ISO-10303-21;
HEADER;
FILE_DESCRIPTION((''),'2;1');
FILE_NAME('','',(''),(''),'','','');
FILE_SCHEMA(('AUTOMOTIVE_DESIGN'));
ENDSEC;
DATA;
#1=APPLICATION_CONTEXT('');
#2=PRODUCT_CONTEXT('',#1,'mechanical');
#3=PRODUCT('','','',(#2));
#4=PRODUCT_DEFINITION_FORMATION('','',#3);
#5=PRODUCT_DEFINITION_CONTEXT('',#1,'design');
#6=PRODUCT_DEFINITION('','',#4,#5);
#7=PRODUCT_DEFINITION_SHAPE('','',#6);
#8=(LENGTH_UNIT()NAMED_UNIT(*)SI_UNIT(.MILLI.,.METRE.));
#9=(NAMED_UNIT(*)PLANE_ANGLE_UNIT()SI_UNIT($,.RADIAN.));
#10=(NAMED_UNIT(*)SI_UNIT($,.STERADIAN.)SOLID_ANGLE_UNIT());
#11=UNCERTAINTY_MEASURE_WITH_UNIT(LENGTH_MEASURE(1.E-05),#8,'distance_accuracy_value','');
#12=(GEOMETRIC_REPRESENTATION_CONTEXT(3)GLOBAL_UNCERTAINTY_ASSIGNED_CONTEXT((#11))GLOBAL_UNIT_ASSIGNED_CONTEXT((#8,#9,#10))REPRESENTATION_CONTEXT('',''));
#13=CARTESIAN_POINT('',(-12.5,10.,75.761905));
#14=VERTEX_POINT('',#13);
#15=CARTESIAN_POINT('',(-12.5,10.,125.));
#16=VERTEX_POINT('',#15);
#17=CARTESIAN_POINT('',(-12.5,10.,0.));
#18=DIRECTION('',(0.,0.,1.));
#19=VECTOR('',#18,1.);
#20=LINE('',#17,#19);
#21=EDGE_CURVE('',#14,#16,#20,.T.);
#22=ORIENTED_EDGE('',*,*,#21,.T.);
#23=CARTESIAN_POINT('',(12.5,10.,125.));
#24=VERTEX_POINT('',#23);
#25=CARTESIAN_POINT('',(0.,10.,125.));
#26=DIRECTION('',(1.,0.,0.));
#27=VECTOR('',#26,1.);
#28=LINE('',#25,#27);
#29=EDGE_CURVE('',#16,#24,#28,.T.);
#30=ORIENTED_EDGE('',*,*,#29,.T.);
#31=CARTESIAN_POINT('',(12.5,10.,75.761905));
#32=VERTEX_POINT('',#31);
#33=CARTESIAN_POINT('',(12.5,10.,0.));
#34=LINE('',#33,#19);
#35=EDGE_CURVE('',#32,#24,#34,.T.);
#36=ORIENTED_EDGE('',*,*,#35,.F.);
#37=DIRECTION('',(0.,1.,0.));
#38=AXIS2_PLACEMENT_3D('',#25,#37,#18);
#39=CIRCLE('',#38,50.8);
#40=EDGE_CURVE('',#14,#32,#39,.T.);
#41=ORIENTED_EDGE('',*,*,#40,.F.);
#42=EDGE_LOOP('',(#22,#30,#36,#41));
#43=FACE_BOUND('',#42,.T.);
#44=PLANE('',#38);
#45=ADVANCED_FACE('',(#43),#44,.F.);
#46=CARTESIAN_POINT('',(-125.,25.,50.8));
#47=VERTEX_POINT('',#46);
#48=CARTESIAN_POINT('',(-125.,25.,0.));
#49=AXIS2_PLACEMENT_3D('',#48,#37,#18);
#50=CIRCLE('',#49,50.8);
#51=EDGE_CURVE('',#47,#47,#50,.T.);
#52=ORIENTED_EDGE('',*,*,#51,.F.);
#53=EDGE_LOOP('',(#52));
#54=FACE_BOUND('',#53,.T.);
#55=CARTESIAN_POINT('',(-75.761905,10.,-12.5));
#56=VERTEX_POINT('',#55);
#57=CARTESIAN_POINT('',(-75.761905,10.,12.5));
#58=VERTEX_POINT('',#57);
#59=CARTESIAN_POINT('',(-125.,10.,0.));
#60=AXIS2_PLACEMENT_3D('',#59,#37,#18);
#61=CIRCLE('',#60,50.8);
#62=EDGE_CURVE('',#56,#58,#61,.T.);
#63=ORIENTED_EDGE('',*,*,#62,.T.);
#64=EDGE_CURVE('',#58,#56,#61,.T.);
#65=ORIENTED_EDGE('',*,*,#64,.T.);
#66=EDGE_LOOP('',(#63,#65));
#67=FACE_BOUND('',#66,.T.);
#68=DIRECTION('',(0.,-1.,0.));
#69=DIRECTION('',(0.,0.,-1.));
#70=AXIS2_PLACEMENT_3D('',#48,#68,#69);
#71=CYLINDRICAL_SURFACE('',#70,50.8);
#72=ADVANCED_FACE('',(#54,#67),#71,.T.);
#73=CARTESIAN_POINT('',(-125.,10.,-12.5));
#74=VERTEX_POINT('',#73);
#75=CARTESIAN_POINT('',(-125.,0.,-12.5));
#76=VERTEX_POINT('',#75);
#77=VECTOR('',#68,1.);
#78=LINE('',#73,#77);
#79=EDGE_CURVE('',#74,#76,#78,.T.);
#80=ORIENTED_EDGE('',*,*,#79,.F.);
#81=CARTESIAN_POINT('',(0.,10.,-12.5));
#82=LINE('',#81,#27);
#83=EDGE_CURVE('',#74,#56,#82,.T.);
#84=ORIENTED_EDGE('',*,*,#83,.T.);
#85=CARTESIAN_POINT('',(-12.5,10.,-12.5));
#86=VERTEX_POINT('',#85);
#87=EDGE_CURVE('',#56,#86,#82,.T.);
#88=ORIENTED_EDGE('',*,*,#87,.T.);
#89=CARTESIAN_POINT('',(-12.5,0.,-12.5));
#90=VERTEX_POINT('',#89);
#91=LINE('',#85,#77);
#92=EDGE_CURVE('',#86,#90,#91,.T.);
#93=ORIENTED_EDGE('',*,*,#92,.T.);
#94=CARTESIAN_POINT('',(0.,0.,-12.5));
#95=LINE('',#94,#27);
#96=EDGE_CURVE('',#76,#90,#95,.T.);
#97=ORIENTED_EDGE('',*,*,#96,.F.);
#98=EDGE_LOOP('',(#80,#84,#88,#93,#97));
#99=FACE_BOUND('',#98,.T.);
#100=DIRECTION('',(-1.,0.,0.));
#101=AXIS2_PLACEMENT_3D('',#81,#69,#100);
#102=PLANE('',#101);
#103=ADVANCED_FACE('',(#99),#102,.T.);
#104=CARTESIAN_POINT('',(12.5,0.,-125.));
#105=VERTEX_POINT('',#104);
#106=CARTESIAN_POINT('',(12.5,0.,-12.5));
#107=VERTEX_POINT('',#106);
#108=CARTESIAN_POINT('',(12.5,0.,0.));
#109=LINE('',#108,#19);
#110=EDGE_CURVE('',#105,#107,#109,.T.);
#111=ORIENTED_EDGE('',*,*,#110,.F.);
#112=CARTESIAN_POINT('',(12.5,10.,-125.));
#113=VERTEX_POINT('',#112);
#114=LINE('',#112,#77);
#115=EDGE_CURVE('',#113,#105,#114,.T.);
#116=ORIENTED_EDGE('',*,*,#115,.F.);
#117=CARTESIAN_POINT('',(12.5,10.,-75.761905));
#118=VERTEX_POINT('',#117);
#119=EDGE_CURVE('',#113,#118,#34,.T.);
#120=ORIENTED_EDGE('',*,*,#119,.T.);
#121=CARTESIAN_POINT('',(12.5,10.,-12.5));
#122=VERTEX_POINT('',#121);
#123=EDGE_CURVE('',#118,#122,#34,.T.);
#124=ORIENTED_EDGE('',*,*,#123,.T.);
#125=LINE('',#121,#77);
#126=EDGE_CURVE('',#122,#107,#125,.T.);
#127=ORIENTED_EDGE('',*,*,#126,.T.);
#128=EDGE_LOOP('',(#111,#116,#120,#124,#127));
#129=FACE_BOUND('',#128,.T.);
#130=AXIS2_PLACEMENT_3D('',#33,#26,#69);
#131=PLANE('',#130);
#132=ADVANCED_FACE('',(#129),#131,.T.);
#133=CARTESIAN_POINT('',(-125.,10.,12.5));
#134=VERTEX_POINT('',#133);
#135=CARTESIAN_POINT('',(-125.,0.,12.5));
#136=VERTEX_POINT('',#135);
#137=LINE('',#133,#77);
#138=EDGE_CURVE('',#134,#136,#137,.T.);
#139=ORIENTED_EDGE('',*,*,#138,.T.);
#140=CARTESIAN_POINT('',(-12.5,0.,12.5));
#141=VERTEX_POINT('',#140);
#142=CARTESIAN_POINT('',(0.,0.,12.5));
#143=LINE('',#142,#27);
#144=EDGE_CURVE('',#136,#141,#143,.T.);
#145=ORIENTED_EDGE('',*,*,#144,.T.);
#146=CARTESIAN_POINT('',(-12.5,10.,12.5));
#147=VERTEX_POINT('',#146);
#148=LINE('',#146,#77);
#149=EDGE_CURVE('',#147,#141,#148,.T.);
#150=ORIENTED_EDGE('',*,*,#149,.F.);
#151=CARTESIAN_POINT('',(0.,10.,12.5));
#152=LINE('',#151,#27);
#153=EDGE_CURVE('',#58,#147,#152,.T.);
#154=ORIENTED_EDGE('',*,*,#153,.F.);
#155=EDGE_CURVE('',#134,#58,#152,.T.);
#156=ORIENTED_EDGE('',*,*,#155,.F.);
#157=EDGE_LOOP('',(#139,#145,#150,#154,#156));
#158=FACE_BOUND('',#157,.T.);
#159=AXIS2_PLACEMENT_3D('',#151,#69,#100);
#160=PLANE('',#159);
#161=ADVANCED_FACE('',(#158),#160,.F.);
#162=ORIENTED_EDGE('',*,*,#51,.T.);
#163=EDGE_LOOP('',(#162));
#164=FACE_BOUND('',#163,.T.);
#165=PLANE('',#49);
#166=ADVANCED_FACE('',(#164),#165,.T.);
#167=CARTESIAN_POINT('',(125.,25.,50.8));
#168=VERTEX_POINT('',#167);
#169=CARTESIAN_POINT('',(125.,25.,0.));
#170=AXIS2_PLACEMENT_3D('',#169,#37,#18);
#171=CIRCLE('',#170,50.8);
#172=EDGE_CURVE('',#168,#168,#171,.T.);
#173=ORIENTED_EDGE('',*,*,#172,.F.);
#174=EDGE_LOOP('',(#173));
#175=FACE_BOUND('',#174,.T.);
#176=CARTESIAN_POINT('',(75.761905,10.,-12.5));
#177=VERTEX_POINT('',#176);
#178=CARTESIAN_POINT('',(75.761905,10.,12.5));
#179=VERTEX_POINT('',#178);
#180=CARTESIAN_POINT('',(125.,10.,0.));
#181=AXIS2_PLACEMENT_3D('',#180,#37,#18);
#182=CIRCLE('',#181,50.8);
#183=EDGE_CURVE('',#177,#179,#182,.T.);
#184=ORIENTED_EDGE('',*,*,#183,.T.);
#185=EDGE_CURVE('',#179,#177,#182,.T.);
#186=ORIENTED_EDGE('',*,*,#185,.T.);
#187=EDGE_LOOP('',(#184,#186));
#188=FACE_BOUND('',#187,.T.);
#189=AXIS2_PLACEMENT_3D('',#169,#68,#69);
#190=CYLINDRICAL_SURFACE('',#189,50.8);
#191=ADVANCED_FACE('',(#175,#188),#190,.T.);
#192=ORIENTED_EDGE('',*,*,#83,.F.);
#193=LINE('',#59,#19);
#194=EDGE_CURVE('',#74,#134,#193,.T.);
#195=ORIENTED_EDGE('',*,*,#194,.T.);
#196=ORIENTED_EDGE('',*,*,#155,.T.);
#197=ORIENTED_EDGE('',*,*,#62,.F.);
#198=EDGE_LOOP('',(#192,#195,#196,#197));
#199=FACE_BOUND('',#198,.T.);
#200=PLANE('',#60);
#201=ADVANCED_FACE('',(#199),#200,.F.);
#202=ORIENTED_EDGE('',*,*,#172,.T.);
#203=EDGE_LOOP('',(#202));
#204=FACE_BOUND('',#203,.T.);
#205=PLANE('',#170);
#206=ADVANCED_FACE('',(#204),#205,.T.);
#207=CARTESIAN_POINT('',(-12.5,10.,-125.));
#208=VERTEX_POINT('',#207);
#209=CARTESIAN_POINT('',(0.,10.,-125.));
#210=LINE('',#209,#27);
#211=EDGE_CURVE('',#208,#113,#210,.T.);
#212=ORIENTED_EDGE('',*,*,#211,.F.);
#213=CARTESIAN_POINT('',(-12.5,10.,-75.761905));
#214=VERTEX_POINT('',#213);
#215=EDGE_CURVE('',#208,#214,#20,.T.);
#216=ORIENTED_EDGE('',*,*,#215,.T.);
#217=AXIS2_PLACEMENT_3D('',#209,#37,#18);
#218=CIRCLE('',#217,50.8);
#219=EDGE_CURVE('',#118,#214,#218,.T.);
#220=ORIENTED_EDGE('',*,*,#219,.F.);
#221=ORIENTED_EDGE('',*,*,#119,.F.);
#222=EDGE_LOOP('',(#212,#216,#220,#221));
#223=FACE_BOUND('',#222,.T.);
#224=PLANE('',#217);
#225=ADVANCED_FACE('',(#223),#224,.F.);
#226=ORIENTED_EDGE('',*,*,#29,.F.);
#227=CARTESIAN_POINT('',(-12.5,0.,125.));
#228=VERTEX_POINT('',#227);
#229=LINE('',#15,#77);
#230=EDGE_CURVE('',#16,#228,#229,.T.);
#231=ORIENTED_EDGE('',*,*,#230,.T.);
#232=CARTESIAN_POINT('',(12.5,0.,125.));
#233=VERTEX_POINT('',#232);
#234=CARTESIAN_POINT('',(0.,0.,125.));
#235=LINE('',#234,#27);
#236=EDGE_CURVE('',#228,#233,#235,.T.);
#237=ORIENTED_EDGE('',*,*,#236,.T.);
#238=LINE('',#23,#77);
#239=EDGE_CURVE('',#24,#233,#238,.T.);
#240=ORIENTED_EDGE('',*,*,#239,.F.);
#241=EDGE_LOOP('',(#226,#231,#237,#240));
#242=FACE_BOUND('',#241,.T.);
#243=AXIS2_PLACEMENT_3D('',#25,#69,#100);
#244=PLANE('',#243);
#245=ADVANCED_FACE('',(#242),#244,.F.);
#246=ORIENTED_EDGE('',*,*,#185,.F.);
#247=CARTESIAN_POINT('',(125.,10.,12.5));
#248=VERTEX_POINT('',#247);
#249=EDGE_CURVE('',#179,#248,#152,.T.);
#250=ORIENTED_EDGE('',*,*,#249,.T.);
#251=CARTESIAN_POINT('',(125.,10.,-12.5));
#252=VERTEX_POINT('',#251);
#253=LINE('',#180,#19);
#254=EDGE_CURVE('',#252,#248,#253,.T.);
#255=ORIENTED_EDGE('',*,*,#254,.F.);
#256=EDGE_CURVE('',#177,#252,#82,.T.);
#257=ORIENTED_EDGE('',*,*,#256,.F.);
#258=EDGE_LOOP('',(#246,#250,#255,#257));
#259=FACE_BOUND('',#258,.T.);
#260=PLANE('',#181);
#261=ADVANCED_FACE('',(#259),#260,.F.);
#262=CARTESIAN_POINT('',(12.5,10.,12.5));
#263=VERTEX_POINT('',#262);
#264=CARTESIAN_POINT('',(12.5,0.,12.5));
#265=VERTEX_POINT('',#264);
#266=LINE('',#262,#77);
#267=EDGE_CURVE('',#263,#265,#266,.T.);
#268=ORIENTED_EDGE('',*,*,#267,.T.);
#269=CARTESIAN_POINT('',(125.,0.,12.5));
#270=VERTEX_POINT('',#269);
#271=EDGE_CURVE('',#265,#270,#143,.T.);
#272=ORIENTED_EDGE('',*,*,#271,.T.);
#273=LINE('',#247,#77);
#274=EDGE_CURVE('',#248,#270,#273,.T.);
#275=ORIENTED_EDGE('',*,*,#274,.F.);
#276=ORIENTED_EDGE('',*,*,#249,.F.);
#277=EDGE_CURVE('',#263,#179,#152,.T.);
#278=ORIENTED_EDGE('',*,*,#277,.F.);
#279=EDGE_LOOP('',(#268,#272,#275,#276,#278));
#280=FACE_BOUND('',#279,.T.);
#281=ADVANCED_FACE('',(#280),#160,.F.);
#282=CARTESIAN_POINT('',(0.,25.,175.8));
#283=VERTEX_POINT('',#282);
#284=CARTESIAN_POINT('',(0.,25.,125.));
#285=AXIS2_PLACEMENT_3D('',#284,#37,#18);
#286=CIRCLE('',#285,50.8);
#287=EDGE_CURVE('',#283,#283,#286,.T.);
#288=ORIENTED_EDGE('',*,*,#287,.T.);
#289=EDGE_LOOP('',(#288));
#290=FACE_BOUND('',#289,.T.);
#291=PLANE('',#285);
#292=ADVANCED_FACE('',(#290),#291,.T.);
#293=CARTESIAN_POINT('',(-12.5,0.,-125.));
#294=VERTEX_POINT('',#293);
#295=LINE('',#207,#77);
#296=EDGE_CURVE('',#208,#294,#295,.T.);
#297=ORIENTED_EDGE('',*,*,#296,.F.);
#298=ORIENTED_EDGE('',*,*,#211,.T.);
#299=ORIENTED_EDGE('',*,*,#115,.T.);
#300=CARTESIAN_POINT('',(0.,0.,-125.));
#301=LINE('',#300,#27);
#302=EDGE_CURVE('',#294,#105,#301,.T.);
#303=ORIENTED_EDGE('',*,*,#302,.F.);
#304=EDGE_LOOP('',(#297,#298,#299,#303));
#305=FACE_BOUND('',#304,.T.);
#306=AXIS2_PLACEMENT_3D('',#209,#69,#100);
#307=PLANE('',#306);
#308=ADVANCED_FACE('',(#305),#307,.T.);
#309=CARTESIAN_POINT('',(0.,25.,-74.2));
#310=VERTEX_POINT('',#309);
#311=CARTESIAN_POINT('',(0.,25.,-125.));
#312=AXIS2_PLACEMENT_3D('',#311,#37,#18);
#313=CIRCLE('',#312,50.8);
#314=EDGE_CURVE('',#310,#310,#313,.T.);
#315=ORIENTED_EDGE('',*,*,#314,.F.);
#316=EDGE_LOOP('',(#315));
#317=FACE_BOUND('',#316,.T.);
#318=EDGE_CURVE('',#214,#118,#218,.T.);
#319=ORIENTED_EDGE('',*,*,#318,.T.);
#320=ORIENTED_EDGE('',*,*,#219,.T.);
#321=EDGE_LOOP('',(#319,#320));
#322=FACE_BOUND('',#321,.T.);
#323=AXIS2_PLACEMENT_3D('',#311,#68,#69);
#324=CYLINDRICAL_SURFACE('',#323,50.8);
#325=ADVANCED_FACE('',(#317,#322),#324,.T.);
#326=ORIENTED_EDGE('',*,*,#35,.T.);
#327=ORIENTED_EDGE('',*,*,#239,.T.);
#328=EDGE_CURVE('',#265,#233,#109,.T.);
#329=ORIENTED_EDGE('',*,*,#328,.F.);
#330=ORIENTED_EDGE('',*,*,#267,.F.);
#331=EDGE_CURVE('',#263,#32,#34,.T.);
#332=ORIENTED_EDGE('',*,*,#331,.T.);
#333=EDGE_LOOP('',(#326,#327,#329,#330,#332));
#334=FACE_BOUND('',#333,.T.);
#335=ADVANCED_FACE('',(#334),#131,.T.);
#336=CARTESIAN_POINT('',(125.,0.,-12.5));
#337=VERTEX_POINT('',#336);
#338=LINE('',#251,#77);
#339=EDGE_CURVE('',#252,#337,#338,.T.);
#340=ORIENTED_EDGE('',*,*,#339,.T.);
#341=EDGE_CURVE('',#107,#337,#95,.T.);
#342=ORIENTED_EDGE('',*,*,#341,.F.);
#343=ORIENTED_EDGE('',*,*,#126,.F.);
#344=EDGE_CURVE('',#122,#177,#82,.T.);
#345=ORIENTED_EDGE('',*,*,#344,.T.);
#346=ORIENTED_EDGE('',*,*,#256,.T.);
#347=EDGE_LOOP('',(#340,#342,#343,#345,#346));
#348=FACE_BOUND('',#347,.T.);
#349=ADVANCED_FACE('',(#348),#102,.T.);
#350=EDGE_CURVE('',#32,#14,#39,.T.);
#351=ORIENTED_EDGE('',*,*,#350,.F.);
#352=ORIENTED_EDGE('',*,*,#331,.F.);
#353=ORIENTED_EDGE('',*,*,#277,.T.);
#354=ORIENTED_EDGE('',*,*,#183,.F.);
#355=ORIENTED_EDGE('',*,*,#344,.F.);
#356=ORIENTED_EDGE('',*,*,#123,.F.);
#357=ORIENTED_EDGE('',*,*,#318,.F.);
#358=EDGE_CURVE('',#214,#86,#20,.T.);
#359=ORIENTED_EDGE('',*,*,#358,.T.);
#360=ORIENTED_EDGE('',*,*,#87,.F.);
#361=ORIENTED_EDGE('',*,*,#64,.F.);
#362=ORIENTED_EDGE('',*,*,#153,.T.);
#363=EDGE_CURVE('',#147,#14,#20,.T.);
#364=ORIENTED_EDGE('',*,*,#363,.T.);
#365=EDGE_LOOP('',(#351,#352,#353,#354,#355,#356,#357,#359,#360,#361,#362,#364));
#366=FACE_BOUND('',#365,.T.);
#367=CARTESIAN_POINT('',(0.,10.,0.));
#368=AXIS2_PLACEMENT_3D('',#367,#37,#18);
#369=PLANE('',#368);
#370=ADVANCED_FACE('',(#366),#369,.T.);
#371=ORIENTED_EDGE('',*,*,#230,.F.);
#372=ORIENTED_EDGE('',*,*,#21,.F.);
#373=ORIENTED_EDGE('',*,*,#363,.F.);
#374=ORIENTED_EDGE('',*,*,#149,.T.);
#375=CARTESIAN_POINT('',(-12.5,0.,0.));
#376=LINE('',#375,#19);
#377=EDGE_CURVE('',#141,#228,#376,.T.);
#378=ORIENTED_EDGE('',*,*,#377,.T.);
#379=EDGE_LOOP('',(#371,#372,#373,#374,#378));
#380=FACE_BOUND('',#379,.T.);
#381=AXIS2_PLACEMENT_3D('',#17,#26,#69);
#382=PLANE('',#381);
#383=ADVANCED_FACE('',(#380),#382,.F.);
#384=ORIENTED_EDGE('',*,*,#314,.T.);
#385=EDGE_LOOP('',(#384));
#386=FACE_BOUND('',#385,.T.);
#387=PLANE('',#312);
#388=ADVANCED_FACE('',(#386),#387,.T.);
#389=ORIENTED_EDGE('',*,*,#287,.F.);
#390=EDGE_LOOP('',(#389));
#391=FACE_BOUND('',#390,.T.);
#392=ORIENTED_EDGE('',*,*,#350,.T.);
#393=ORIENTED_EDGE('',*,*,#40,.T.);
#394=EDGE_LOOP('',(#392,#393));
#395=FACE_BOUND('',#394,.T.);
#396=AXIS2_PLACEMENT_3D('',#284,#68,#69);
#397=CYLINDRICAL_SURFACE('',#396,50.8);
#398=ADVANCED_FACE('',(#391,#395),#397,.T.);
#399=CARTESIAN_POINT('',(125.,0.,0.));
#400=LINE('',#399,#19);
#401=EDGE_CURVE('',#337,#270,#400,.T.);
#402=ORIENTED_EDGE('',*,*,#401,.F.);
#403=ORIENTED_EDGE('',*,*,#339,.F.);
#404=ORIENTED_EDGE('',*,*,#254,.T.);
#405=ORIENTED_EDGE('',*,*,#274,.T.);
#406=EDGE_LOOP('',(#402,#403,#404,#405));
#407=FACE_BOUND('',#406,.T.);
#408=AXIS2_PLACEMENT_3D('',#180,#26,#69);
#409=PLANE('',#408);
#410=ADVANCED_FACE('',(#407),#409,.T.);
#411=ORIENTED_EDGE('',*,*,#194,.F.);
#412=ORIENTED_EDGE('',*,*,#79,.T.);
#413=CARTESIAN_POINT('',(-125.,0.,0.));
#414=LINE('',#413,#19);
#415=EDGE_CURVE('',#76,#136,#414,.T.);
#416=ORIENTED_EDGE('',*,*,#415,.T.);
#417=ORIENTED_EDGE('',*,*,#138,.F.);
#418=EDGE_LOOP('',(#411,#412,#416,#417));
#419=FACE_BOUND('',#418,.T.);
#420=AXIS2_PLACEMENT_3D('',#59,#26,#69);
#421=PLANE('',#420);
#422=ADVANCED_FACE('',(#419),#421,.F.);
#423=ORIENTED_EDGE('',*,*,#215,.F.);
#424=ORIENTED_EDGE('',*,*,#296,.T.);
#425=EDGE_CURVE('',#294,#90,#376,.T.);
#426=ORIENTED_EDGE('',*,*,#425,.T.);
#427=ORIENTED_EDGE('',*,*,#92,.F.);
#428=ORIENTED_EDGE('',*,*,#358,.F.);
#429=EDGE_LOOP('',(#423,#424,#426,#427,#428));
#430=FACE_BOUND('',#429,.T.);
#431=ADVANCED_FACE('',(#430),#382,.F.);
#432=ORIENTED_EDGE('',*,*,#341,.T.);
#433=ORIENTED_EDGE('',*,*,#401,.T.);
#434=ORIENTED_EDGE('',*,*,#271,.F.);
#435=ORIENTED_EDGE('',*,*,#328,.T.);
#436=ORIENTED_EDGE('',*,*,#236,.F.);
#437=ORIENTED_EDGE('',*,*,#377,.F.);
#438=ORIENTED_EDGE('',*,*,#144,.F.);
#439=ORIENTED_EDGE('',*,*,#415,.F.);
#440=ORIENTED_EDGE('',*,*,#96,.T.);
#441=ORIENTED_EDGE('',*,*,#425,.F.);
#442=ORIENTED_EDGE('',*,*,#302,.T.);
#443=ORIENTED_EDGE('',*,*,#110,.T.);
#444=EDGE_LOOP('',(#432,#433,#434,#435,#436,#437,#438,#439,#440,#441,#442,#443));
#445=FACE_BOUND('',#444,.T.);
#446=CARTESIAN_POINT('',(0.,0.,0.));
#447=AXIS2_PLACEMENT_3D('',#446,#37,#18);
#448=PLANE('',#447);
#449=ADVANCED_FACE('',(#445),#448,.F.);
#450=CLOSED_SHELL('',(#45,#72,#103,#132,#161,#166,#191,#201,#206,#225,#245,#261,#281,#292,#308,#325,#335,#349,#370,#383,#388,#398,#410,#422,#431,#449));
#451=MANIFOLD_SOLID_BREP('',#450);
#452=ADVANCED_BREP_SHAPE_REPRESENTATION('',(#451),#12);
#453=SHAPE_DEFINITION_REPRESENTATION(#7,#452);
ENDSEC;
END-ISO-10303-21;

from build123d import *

# Parameters (mm, degrees)
SKETCH1_W           = 25
SKETCH1_H           = 112.5
SKETCH1_H_2         = 25
SKETCH1_W_2         = 112.5
BOSS_EXTRUDE1_DEPTH = 10
SKETCH2_R           = 50.8
BOSS_EXTRUDE2_DEPTH = 15


with BuildPart() as part:
    # Sketch1 → Boss-Extrude1 (new body)
    with BuildSketch(Plane(origin=(0, 0, 0), x_dir=(1, 0, 0), z_dir=(0, 1, 0))):
        with Locations((0, 68.75)):
            Rectangle(SKETCH1_W, SKETCH1_H)
        Rectangle(SKETCH1_W, SKETCH1_H_2)
        with Locations((0, -68.75)):
            Rectangle(SKETCH1_W, SKETCH1_H)
        with Locations((68.75, 0)):
            Rectangle(SKETCH1_W_2, SKETCH1_H_2)
        with Locations((-68.75, 0)):
            Rectangle(SKETCH1_W_2, SKETCH1_H_2)
    extrude(amount=BOSS_EXTRUDE1_DEPTH)

    # Sketch2 → Boss-Extrude2 (add)
    with BuildSketch(Plane(origin=(0, 10, 0), x_dir=(1, 0, 0), z_dir=(0, 1, 0))):
        with Locations(Location((0, 125, 0), (0, 0, 255.755338046))):
            Circle(SKETCH2_R)
        with Locations(Location((125, 0, 0), (0, 0, 165.755338046))):
            Circle(SKETCH2_R)
        with Locations(Location((0, -125, 0), (0, 0, 75.755338046))):
            Circle(SKETCH2_R)
        with Locations(Location((-125, 0, 0), (0, 0, 14.244661954))):
            Circle(SKETCH2_R)
    extrude(amount=BOSS_EXTRUDE2_DEPTH)


solid = part.part
